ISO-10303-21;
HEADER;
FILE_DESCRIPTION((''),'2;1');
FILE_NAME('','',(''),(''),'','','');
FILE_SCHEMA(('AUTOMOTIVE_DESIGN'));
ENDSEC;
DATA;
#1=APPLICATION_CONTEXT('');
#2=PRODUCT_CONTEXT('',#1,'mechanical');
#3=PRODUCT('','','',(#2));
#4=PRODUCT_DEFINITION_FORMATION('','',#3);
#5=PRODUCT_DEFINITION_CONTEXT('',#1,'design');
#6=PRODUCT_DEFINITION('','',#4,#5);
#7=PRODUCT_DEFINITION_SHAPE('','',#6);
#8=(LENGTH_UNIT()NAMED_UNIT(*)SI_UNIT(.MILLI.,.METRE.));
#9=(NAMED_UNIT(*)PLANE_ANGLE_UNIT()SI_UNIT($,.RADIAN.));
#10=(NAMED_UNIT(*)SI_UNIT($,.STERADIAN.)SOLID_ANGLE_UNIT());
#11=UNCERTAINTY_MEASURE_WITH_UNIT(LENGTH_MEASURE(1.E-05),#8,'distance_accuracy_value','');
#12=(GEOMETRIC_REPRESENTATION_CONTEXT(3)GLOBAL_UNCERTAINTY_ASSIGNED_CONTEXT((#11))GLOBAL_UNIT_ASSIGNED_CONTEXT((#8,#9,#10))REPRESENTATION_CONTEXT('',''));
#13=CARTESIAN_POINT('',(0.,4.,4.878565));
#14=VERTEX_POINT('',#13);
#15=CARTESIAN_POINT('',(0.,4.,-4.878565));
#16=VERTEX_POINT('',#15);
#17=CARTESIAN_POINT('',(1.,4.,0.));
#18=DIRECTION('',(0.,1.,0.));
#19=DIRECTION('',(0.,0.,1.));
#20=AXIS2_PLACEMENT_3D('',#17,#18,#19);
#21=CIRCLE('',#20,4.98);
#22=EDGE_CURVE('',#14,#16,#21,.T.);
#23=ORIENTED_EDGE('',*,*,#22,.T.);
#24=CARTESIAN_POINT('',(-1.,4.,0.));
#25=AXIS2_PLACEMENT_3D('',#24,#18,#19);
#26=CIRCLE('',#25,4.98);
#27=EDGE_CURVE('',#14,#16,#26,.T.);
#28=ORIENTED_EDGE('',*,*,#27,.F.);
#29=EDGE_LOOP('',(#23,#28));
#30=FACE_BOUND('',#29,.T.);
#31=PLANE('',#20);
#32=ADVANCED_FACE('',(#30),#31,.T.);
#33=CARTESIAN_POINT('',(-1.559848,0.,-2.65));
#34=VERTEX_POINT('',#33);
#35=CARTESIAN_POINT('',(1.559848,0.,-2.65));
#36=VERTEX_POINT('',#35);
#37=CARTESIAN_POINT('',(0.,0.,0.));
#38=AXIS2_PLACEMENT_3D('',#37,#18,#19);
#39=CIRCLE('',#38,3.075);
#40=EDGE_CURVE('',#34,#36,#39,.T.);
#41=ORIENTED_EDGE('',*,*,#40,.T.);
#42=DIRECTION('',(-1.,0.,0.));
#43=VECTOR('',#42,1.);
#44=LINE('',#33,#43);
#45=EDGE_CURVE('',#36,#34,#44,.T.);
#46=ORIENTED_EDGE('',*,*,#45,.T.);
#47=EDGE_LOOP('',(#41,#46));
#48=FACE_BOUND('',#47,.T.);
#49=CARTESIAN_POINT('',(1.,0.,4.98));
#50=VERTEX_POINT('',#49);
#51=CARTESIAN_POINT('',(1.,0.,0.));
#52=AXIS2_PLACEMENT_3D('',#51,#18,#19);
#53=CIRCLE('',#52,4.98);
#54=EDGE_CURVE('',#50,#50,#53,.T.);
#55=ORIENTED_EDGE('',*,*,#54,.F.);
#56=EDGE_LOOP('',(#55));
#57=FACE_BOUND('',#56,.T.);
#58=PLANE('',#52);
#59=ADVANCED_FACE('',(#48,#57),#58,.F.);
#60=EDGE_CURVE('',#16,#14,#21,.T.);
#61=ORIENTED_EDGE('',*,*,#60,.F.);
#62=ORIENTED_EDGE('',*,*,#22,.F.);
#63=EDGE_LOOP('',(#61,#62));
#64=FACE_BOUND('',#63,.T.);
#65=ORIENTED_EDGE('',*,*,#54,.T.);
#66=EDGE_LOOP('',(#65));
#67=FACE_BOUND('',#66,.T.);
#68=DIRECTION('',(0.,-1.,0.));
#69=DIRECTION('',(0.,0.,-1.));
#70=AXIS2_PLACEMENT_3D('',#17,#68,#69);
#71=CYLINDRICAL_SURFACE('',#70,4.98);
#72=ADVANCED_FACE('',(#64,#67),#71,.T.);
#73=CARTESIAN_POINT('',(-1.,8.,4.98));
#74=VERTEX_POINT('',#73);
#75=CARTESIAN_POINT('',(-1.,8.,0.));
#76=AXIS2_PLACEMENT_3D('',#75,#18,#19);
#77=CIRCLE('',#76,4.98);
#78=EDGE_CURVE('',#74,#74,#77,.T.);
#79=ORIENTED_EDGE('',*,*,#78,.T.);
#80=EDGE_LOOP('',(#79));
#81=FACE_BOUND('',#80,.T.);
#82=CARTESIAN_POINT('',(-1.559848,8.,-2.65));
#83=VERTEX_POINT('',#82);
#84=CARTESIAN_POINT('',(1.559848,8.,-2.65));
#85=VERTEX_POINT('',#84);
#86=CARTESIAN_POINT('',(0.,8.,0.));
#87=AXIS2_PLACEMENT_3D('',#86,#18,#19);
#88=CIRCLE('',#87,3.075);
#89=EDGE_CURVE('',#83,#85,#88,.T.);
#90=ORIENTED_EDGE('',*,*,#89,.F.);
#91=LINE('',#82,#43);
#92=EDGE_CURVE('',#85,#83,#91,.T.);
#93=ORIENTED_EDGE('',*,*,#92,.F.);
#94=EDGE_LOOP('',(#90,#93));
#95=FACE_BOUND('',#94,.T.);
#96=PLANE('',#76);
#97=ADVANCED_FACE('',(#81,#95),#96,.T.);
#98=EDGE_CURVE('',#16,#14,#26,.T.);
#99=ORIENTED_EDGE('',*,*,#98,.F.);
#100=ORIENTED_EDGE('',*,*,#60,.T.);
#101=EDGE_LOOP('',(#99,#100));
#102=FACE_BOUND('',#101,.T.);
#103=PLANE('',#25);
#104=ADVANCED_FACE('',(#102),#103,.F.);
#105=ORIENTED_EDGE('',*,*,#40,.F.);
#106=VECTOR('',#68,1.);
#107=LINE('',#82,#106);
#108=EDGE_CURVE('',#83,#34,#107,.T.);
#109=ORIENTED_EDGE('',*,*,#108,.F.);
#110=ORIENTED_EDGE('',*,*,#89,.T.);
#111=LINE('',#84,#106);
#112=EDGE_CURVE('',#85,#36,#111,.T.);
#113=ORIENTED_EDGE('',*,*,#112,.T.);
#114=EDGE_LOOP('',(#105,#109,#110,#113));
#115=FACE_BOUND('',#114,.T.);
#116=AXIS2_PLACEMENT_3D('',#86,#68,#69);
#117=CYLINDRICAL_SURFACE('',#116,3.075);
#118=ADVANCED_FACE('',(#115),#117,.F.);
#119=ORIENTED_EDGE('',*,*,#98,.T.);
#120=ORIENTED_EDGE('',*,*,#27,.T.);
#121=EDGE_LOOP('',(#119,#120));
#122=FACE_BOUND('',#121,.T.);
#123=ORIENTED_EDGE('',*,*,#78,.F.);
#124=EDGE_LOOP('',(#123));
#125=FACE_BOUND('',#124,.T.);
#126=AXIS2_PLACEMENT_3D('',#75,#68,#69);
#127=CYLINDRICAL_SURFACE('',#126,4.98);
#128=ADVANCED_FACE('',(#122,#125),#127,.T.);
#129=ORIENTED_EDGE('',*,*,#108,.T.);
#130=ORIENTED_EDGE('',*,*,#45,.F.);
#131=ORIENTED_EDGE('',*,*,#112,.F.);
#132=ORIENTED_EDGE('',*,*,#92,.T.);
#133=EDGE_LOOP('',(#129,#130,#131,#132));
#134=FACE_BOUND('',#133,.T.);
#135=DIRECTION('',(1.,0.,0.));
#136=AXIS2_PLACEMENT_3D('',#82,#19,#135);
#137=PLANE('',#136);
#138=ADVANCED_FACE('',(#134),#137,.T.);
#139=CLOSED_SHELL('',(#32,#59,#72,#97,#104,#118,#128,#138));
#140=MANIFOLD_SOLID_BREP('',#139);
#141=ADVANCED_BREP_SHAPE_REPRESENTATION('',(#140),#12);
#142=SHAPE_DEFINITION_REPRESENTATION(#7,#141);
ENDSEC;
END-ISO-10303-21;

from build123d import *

# Parameters (mm, degrees)
CROQUIS1_R              = 4.98
SALIENTE_EXTRUIR1_DEPTH = 4
CROQUIS2_R              = 4.98
SALIENTE_EXTRUIR2_DEPTH = 4
CORTAR_EXTRUIR1_DEPTH   = 12.160680983


with BuildPart() as part:
    # Croquis1 → Saliente-Extruir1 (new body)
    with BuildSketch(Plane(origin=(0, 0, 0), x_dir=(1, 0, 0), z_dir=(0, 1, 0))):
        with Locations(Location((1, 0, 0), (0, 0, 270))):
            Circle(CROQUIS1_R)
    extrude(amount=SALIENTE_EXTRUIR1_DEPTH)

    # Croquis2 → Saliente-Extruir2 (add)
    with BuildSketch(Plane(origin=(0, 4, 0), x_dir=(1, 0, 0), z_dir=(0, 1, 0))):
        with Locations(Location((-1, 0, 0), (0, 0, 78.416067345))):
            Circle(CROQUIS2_R)
    extrude(amount=SALIENTE_EXTRUIR2_DEPTH)

    # Croquis3 → Cortar-Extruir1 (cut, through all)
    with BuildSketch(Plane(origin=(0, 0, 0), x_dir=(1, 0, 0), z_dir=(0, 1, 0))):
        with BuildLine():
            Line((-1.559847749, 2.65), (1.559847749, 2.65))
            ThreePointArc((1.559847749, 2.65), (0, -3.075), (-1.559847749, 2.65))
        make_face()
    extrude(amount=CORTAR_EXTRUIR1_DEPTH, mode=Mode.SUBTRACT)


solid = part.part
